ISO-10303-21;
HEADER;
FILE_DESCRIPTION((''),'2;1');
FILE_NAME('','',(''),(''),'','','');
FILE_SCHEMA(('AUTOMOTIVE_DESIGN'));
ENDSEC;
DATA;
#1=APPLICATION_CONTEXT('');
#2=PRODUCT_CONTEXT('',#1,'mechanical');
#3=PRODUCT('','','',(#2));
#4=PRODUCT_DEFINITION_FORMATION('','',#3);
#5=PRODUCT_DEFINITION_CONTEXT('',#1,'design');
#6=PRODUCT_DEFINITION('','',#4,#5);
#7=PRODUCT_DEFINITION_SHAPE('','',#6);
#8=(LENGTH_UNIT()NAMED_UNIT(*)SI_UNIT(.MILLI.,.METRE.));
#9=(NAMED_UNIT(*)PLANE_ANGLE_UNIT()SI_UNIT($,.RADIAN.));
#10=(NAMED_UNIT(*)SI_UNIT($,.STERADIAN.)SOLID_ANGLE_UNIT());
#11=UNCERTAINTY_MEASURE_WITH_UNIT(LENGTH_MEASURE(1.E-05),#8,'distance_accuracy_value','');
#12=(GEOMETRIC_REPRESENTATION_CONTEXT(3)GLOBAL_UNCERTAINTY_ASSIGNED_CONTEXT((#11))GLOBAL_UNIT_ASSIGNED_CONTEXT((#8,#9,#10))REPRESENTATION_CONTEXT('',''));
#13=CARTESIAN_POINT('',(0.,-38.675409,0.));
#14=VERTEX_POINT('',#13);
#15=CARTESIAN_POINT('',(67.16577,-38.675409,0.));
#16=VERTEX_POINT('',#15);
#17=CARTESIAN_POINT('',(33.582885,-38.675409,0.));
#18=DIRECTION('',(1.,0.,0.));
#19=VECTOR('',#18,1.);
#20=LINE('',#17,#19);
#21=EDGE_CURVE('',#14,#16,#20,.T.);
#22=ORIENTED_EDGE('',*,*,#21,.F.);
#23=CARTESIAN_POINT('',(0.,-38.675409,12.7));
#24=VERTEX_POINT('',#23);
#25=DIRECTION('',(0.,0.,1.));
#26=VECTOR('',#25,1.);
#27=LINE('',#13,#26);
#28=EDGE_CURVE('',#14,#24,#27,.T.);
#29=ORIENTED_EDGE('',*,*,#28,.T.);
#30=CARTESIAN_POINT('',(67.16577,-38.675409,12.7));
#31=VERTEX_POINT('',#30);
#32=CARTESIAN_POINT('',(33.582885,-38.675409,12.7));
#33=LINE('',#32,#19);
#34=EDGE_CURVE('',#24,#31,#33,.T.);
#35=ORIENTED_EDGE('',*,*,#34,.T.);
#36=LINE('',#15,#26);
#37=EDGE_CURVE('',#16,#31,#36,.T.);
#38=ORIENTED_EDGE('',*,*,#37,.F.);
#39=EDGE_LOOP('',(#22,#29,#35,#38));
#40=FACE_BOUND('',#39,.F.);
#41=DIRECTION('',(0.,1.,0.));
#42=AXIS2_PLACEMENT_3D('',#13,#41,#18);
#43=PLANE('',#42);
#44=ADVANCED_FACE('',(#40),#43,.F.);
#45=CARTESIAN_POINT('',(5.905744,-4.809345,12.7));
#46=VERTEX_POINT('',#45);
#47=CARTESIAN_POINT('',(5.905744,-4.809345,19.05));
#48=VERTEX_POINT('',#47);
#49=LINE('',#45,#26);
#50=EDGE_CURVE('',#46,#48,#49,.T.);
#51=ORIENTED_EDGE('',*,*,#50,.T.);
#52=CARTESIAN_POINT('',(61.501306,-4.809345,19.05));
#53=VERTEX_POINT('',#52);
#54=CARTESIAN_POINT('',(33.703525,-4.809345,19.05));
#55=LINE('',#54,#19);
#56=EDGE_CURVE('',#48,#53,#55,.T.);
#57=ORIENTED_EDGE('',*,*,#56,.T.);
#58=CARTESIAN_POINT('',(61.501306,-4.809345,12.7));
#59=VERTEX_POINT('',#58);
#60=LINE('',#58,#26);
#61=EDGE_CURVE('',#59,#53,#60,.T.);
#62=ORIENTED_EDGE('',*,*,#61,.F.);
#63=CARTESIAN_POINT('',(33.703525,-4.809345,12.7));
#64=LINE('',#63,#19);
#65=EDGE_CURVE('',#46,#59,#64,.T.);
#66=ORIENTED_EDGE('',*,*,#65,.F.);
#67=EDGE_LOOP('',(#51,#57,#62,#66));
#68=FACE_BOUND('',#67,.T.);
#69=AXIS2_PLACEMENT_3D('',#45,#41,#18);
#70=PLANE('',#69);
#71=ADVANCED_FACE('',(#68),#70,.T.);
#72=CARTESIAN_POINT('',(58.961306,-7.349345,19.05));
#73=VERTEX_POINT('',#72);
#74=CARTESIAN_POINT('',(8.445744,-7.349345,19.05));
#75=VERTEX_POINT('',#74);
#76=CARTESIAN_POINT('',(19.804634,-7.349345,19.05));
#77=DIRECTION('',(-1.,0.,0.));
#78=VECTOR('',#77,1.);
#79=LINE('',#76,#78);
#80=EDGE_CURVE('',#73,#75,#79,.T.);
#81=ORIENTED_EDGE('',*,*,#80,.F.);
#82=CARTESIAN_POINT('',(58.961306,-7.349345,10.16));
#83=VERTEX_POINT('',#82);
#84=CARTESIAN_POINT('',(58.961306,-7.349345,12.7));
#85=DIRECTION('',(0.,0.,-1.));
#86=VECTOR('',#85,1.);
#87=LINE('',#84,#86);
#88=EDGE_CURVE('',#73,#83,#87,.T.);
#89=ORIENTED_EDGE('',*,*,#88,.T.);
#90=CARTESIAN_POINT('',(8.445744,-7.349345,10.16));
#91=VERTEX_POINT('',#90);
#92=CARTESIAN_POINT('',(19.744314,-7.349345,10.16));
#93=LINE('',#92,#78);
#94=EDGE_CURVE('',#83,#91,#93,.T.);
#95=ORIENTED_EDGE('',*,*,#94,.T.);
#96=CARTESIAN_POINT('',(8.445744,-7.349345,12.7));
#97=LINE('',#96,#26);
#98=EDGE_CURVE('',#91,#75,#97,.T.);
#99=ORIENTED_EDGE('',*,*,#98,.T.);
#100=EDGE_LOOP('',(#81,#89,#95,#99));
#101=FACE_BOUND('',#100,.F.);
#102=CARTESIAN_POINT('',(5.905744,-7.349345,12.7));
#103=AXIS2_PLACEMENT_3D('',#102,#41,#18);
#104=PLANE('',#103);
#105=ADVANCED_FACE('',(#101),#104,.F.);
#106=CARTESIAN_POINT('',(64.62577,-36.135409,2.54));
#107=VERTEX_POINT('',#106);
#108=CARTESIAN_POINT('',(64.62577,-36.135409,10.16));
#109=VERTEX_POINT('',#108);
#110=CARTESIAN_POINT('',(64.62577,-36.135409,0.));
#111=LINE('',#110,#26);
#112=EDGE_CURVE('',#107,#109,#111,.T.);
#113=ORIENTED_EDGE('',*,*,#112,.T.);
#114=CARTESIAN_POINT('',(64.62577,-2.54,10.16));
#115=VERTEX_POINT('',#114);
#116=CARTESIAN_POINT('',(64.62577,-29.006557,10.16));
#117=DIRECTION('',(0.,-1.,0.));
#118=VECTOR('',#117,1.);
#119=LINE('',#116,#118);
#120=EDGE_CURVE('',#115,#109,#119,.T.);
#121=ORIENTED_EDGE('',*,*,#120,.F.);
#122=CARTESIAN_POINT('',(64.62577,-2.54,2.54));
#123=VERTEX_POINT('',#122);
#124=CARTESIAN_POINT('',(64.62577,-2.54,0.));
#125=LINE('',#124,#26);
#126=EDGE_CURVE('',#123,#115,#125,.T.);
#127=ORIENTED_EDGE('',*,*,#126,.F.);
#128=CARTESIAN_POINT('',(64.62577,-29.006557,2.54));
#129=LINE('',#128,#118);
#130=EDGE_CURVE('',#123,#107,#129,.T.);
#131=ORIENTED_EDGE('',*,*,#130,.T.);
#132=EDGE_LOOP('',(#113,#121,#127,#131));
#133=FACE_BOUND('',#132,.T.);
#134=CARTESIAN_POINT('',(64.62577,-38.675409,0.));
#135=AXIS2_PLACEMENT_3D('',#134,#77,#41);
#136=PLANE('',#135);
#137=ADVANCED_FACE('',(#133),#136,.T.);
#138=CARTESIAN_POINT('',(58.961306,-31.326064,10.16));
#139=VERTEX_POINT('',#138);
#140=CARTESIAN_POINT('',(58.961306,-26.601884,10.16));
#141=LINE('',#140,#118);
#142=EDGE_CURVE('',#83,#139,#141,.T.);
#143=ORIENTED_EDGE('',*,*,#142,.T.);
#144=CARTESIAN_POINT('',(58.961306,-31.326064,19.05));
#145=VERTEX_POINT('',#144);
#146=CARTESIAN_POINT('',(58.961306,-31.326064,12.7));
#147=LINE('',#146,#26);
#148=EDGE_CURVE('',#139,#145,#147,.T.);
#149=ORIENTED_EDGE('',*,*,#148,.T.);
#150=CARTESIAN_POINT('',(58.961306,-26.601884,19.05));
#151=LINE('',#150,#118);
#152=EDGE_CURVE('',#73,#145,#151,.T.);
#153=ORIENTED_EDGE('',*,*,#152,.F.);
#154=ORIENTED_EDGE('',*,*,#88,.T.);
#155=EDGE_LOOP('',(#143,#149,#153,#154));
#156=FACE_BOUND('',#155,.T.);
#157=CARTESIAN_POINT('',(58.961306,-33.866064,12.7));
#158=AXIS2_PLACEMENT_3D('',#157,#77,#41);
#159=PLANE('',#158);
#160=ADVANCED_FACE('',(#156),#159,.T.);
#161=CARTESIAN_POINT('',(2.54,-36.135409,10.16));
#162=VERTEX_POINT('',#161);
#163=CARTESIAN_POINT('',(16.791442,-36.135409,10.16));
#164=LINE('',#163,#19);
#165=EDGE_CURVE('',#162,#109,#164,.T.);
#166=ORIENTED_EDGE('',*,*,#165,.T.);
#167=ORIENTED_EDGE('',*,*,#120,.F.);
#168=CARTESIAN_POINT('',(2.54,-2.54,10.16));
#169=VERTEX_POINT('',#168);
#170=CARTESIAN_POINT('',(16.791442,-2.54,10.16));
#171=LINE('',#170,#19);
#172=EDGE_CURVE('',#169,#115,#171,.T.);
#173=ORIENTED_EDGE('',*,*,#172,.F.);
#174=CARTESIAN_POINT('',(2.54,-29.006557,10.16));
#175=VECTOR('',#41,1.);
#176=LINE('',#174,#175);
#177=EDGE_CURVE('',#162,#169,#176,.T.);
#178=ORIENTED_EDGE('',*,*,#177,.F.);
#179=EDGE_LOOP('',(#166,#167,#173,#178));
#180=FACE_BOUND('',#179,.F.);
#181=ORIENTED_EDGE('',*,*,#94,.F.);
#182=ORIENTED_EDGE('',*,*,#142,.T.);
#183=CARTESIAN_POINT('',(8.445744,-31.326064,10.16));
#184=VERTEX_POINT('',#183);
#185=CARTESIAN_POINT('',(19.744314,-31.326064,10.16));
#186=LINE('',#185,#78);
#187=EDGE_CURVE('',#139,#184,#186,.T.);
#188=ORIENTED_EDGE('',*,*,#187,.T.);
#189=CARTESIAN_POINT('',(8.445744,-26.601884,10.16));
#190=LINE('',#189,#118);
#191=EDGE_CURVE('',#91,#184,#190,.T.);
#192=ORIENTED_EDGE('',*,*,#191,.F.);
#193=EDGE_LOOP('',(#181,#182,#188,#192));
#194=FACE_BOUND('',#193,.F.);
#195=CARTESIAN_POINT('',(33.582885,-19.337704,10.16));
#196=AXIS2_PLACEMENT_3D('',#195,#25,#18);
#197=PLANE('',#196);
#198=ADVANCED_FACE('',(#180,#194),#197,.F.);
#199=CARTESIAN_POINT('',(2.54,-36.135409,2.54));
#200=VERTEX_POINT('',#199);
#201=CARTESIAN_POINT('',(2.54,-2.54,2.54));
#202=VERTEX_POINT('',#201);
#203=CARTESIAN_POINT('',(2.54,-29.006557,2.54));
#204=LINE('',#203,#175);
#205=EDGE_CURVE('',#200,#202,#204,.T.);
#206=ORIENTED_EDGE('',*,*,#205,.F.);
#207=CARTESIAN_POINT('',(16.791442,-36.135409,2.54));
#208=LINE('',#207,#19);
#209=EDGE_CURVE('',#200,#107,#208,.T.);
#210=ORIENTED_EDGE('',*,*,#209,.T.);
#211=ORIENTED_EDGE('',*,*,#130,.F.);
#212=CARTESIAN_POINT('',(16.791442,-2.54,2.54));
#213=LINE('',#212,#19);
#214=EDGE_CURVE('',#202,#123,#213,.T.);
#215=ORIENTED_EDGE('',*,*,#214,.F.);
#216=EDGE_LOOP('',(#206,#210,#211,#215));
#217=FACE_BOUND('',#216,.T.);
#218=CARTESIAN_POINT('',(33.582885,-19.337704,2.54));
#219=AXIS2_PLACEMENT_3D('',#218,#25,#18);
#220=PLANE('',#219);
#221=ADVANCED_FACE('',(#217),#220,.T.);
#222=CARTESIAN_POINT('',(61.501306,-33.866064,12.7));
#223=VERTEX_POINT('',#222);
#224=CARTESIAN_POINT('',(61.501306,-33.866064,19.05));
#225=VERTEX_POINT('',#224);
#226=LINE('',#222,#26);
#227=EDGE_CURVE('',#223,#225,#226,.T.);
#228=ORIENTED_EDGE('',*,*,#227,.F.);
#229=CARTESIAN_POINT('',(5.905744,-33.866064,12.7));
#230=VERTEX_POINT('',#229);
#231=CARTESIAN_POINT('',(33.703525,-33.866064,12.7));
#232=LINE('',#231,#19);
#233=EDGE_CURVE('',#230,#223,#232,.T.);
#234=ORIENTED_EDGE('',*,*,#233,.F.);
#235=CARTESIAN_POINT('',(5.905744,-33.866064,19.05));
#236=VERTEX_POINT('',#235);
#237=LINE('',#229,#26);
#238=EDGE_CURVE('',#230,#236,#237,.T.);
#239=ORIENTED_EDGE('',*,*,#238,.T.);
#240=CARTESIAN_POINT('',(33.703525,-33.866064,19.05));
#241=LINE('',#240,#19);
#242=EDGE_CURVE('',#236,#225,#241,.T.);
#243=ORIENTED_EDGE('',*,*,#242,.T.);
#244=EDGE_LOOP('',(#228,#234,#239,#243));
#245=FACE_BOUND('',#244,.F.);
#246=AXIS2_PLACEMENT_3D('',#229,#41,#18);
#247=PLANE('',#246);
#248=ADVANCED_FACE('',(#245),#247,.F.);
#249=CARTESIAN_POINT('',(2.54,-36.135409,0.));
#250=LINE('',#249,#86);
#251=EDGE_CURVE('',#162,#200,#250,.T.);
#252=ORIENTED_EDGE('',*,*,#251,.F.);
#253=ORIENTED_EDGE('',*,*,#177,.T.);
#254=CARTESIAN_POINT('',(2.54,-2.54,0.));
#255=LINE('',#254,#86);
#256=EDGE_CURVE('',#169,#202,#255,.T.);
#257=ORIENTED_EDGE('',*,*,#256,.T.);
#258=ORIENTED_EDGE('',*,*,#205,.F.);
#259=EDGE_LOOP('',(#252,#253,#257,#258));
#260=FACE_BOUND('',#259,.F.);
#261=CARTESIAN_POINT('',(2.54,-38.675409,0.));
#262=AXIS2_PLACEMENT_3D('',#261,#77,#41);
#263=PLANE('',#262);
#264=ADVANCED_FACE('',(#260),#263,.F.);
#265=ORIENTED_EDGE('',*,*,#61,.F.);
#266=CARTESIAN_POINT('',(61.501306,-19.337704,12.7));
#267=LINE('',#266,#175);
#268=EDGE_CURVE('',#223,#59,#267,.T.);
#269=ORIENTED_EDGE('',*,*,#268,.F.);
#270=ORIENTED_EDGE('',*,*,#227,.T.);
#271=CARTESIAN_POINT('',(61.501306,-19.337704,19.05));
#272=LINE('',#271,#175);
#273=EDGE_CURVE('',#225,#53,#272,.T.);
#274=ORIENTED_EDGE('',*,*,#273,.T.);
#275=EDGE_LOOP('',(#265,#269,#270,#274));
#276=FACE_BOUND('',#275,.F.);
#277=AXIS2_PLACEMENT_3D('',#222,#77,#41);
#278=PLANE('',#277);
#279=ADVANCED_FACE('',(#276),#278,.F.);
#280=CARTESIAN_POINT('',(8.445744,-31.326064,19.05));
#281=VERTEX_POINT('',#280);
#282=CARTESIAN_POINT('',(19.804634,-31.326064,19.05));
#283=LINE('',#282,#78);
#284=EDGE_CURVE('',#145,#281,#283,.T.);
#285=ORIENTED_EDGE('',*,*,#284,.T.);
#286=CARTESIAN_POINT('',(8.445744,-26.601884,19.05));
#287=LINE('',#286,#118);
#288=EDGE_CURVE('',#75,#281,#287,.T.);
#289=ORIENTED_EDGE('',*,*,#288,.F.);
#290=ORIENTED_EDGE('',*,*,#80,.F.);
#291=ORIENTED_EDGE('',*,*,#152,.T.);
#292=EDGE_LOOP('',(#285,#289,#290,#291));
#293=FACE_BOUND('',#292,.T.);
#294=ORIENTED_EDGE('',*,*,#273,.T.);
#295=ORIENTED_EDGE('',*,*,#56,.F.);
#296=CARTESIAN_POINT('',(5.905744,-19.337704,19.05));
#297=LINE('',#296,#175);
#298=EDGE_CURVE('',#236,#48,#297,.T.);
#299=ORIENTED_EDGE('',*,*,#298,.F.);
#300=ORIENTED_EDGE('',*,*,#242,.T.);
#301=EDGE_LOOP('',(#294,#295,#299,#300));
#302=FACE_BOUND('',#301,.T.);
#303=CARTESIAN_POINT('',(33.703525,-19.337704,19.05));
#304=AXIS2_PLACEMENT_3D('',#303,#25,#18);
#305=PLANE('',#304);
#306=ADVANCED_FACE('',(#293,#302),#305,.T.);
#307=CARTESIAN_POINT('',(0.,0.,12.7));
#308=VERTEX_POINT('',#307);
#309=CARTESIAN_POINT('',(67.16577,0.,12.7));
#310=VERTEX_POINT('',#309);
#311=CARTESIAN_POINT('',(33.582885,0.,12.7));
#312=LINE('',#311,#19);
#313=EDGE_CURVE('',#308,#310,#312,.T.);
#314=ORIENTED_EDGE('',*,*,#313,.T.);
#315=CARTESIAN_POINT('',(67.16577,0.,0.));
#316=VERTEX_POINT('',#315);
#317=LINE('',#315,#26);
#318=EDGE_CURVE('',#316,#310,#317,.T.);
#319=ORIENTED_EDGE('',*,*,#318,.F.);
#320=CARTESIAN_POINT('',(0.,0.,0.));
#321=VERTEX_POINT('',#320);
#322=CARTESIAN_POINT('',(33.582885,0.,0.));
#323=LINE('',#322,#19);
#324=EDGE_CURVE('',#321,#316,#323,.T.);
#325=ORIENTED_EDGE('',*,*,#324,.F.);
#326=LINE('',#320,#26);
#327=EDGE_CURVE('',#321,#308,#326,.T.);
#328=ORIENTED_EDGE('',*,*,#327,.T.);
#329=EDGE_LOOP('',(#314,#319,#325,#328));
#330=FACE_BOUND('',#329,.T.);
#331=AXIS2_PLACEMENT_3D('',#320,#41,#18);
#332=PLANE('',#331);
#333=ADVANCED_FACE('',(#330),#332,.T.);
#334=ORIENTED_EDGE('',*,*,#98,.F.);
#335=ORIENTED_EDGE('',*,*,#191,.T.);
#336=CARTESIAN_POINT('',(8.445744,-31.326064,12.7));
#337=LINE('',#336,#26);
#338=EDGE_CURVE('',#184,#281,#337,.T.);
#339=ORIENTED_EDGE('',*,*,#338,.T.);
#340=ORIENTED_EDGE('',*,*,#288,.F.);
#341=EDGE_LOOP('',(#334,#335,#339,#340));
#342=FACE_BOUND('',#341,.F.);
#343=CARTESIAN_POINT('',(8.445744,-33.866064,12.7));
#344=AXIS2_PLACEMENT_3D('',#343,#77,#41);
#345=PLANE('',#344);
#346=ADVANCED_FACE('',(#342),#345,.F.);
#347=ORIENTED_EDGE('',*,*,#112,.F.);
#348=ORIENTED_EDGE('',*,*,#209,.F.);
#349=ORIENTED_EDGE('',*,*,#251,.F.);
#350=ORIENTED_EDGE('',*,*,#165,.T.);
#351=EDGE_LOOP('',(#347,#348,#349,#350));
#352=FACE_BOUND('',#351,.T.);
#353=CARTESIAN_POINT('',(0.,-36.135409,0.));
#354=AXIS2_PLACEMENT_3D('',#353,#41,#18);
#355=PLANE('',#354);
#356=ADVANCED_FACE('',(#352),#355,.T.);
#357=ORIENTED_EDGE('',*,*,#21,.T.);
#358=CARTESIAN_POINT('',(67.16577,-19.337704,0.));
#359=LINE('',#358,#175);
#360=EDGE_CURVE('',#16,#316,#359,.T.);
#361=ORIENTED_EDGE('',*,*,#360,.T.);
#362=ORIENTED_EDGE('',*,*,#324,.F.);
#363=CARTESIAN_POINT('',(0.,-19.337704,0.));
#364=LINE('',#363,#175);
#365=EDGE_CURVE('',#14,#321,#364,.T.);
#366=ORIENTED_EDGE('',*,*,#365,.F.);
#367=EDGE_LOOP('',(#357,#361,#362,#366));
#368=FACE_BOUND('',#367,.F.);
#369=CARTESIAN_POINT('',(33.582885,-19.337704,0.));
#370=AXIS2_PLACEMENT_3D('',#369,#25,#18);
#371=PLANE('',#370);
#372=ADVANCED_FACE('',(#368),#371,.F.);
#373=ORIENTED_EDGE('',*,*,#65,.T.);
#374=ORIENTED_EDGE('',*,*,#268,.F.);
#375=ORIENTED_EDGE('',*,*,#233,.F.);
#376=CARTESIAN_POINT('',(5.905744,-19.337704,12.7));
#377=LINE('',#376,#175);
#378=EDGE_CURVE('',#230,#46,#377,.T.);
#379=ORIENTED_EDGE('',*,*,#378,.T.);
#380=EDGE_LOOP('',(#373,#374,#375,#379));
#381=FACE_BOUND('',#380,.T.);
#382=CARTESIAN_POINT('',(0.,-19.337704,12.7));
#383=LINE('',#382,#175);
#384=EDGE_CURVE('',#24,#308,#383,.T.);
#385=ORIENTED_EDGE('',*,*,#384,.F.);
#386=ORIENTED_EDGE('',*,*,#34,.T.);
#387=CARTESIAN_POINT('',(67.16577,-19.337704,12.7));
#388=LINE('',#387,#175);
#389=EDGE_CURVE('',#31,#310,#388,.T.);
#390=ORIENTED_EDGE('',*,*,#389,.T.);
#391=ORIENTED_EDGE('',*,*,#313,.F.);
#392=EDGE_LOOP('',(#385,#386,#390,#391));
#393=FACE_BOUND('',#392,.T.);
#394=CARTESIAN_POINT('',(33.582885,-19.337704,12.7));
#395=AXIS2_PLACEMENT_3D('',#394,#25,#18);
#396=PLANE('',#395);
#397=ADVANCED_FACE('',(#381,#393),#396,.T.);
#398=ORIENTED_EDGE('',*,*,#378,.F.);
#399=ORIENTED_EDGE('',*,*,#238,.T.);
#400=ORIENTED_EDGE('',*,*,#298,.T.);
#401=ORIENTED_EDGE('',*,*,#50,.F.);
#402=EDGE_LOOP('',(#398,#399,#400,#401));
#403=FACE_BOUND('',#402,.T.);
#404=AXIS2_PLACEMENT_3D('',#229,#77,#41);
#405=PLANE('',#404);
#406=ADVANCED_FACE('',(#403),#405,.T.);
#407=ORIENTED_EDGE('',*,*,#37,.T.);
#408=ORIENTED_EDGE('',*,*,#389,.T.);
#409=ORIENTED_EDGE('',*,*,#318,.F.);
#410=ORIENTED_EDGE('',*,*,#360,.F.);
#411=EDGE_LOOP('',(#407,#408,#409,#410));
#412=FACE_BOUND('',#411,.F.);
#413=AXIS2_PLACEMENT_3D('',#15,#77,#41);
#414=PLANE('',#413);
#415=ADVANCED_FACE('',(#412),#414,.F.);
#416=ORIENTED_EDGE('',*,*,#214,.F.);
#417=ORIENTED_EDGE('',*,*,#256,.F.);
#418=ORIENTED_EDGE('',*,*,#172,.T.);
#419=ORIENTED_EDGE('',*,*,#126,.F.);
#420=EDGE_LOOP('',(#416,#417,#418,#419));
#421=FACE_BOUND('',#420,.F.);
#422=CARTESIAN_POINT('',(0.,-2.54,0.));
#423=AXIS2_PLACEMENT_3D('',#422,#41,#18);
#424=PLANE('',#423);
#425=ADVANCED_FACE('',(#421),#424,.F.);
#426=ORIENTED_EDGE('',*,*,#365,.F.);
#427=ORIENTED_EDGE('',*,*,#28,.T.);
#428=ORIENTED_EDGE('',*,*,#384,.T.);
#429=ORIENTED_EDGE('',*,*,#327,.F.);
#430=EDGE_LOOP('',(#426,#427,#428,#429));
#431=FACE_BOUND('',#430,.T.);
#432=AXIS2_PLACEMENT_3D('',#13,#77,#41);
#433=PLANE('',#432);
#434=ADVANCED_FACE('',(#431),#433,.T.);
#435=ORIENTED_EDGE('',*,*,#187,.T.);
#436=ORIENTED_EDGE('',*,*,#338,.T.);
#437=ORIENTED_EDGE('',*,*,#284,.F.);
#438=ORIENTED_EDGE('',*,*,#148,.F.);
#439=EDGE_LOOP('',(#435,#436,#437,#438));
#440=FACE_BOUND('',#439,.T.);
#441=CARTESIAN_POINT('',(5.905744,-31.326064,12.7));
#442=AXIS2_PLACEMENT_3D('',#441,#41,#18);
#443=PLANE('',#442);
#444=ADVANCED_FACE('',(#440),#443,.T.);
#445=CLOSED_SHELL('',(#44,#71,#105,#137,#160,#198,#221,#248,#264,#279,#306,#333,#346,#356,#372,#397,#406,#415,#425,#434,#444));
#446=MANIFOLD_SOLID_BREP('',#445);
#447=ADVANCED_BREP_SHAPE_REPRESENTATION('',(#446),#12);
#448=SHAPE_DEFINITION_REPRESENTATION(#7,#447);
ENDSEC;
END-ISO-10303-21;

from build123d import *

# Parameters (mm, degrees)
F0_W     = 67.1657696366
F0_H     = 38.6754088104
F1_DEPTH = 12.7
F2_W     = 55.595561862
F2_H     = 29.0567195043
F3_DEPTH = 6.35
F4_T     = -2.54


with BuildPart() as f1:
    # F0 (on Top) → F1 (new body)
    with BuildSketch(Plane.XY):
        with Locations((33.5828848183, -19.3377044052)):
            Rectangle(F0_W, F0_H)
    extrude(amount=F1_DEPTH)

    # F2 (on face) → F3 (join)
    with BuildSketch(Plane.XY.offset(12.7)):
        with Locations((33.7035246193, -19.3377044052)):
            Rectangle(F2_W, F2_H)
    extrude(amount=F3_DEPTH)

    # F4
    f4_openings = [f1.faces().sort_by_distance(p)[0] for p in [
        (33.703525, -19.337704, 19.05),
    ]]
    offset(amount=F4_T, openings=f4_openings, kind=Kind.INTERSECTION)


solid = f1.part
